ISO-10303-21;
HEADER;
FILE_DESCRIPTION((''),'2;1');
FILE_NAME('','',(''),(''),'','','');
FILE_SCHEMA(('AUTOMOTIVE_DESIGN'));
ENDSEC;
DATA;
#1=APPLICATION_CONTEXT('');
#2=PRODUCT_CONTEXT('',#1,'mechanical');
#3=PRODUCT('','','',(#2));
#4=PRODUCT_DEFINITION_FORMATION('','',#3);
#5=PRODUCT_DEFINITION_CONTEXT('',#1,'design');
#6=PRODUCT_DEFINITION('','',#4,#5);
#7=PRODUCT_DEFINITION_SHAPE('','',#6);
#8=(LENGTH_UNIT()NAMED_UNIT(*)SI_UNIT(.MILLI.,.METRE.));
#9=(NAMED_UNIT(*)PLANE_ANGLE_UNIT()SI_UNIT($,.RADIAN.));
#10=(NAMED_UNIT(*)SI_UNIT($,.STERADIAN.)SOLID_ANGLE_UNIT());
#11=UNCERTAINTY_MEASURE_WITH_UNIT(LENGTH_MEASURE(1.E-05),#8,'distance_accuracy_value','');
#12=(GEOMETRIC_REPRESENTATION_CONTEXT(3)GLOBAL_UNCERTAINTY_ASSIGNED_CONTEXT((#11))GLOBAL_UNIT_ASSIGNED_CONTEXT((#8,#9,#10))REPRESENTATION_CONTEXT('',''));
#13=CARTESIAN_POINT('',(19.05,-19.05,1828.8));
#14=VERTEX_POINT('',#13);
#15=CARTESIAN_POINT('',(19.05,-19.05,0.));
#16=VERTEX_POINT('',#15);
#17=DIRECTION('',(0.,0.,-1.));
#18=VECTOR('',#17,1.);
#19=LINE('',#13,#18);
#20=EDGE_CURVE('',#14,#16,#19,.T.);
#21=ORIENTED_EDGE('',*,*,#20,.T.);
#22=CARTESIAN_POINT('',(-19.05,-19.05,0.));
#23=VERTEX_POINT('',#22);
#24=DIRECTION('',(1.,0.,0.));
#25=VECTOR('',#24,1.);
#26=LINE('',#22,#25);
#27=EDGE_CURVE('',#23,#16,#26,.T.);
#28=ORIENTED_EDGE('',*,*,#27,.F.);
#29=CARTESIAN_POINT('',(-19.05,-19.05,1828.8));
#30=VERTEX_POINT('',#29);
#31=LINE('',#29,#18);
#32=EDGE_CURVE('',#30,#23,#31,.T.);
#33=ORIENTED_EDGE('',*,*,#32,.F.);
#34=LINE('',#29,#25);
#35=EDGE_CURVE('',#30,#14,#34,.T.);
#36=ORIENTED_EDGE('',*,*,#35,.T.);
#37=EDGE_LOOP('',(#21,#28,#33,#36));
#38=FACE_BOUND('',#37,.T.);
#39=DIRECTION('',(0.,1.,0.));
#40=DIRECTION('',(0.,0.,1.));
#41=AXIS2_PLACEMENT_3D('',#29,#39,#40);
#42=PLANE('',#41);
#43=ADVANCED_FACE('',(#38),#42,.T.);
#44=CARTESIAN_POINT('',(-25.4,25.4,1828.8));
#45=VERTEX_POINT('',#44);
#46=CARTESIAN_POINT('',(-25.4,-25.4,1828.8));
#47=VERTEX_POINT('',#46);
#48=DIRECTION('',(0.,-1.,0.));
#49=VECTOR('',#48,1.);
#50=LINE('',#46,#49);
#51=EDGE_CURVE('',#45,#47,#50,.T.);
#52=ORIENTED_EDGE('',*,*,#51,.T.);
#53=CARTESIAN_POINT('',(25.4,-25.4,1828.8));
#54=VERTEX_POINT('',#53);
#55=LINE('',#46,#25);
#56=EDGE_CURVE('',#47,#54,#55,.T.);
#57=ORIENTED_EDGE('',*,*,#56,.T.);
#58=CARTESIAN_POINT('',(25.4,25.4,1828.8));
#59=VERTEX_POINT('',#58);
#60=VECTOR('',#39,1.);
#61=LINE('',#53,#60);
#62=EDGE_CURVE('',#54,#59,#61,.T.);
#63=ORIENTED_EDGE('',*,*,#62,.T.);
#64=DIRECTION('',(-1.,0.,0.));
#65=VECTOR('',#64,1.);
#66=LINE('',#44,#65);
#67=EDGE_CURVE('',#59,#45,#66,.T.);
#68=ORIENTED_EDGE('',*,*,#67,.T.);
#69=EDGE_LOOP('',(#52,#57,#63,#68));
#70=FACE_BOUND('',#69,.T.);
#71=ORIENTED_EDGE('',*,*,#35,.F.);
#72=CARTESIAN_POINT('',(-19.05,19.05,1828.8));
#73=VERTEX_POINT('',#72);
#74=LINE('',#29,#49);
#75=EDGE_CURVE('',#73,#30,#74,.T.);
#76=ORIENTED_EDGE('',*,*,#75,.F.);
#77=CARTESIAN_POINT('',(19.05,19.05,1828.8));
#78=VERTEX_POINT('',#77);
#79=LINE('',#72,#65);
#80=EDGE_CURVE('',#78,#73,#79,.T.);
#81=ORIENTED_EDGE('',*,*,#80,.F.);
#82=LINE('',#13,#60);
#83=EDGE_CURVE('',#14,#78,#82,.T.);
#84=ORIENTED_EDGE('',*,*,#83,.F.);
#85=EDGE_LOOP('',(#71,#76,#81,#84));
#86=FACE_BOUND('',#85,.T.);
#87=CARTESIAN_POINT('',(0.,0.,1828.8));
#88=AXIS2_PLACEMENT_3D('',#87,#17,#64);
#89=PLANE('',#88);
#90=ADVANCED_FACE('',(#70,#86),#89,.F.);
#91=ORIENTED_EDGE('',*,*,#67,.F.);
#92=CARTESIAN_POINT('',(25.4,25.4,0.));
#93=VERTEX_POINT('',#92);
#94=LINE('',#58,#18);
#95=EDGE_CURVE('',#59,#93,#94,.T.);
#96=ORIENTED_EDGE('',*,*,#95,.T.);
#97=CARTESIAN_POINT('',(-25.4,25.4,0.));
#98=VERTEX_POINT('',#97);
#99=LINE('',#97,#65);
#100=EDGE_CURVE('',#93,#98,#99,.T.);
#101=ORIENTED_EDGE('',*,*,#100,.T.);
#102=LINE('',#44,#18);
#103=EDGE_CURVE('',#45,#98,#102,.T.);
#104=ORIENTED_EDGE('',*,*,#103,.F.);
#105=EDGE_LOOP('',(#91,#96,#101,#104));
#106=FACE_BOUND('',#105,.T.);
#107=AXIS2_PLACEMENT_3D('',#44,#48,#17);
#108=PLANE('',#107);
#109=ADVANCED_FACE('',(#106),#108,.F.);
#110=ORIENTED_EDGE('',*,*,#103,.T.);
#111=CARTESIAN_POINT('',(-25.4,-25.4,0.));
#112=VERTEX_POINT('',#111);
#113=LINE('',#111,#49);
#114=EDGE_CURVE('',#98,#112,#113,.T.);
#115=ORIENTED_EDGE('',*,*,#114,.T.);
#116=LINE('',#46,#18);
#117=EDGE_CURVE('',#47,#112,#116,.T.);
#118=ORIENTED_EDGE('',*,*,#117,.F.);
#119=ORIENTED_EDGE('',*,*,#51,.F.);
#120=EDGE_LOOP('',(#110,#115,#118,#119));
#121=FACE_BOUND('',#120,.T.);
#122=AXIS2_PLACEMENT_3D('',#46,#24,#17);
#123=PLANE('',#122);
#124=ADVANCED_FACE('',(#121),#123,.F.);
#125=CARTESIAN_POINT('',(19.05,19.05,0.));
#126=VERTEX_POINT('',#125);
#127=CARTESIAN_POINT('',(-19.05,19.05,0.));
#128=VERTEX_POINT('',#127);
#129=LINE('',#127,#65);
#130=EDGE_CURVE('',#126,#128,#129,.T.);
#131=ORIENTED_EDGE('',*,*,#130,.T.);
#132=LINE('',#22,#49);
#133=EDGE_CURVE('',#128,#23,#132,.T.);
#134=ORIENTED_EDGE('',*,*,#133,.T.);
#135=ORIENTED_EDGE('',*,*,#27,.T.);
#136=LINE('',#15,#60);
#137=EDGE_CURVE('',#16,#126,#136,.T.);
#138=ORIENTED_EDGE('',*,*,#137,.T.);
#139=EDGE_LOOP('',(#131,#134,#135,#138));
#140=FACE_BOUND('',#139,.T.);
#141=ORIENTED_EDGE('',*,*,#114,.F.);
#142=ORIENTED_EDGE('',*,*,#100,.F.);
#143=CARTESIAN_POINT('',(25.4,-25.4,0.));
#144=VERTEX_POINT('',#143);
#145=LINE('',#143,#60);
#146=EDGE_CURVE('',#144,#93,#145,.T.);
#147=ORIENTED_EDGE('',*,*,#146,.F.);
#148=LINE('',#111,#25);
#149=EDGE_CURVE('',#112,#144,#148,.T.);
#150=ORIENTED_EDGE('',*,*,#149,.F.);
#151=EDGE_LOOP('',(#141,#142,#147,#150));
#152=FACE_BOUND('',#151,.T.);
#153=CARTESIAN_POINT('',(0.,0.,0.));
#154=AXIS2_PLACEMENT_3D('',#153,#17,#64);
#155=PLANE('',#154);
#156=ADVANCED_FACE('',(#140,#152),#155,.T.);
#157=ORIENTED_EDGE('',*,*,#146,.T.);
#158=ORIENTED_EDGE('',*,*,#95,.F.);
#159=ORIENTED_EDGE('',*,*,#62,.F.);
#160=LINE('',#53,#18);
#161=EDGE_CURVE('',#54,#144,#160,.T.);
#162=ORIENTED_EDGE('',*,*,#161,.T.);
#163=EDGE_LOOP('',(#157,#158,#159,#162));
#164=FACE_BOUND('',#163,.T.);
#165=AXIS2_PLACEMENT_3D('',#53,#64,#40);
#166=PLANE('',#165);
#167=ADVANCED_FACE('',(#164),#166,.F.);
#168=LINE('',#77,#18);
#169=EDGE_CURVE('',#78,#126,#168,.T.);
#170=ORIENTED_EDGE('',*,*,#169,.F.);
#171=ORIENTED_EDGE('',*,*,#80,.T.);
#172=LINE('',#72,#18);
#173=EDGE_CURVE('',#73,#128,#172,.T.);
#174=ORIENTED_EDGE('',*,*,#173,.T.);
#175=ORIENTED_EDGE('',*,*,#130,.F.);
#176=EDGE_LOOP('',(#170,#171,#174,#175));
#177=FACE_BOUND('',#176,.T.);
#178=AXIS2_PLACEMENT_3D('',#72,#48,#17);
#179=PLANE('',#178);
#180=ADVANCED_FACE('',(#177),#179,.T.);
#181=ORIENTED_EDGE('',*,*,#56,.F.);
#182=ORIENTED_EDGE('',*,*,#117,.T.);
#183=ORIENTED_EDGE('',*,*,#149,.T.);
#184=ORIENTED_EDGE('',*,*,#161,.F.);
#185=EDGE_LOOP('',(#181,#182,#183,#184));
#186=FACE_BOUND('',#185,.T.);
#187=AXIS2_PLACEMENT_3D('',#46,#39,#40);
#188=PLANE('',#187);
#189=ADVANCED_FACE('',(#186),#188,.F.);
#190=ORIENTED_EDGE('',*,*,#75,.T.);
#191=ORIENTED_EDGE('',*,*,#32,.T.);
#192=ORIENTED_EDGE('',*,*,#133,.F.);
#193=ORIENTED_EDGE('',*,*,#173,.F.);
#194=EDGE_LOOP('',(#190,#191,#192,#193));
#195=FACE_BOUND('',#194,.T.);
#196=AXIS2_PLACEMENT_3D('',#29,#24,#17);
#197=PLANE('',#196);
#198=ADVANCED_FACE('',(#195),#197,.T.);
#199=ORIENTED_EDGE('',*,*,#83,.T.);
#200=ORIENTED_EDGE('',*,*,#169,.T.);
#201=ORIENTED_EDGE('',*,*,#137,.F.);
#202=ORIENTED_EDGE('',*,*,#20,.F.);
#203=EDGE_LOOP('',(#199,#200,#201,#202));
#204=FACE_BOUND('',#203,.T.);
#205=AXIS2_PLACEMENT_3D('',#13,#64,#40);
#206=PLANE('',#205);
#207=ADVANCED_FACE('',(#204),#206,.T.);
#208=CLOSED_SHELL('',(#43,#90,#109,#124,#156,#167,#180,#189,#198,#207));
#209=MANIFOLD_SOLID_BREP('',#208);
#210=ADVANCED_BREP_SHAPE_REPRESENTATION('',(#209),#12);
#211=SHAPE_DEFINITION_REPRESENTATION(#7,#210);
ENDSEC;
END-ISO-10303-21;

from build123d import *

# Parameters (mm, degrees)
SKETCH1_W           = 50.8
SKETCH1_H           = 50.8
SKETCH1_W_2         = 38.1
SKETCH1_H_2         = 38.1
BOSS_EXTRUDE1_DEPTH = 1828.8


with BuildPart() as part:
    # Sketch1 → Boss-Extrude1 (new body)
    with BuildSketch(Plane.XY):
        Rectangle(SKETCH1_W, SKETCH1_H)
        Rectangle(SKETCH1_W_2, SKETCH1_H_2, mode=Mode.SUBTRACT)
    extrude(amount=BOSS_EXTRUDE1_DEPTH)


solid = part.part
